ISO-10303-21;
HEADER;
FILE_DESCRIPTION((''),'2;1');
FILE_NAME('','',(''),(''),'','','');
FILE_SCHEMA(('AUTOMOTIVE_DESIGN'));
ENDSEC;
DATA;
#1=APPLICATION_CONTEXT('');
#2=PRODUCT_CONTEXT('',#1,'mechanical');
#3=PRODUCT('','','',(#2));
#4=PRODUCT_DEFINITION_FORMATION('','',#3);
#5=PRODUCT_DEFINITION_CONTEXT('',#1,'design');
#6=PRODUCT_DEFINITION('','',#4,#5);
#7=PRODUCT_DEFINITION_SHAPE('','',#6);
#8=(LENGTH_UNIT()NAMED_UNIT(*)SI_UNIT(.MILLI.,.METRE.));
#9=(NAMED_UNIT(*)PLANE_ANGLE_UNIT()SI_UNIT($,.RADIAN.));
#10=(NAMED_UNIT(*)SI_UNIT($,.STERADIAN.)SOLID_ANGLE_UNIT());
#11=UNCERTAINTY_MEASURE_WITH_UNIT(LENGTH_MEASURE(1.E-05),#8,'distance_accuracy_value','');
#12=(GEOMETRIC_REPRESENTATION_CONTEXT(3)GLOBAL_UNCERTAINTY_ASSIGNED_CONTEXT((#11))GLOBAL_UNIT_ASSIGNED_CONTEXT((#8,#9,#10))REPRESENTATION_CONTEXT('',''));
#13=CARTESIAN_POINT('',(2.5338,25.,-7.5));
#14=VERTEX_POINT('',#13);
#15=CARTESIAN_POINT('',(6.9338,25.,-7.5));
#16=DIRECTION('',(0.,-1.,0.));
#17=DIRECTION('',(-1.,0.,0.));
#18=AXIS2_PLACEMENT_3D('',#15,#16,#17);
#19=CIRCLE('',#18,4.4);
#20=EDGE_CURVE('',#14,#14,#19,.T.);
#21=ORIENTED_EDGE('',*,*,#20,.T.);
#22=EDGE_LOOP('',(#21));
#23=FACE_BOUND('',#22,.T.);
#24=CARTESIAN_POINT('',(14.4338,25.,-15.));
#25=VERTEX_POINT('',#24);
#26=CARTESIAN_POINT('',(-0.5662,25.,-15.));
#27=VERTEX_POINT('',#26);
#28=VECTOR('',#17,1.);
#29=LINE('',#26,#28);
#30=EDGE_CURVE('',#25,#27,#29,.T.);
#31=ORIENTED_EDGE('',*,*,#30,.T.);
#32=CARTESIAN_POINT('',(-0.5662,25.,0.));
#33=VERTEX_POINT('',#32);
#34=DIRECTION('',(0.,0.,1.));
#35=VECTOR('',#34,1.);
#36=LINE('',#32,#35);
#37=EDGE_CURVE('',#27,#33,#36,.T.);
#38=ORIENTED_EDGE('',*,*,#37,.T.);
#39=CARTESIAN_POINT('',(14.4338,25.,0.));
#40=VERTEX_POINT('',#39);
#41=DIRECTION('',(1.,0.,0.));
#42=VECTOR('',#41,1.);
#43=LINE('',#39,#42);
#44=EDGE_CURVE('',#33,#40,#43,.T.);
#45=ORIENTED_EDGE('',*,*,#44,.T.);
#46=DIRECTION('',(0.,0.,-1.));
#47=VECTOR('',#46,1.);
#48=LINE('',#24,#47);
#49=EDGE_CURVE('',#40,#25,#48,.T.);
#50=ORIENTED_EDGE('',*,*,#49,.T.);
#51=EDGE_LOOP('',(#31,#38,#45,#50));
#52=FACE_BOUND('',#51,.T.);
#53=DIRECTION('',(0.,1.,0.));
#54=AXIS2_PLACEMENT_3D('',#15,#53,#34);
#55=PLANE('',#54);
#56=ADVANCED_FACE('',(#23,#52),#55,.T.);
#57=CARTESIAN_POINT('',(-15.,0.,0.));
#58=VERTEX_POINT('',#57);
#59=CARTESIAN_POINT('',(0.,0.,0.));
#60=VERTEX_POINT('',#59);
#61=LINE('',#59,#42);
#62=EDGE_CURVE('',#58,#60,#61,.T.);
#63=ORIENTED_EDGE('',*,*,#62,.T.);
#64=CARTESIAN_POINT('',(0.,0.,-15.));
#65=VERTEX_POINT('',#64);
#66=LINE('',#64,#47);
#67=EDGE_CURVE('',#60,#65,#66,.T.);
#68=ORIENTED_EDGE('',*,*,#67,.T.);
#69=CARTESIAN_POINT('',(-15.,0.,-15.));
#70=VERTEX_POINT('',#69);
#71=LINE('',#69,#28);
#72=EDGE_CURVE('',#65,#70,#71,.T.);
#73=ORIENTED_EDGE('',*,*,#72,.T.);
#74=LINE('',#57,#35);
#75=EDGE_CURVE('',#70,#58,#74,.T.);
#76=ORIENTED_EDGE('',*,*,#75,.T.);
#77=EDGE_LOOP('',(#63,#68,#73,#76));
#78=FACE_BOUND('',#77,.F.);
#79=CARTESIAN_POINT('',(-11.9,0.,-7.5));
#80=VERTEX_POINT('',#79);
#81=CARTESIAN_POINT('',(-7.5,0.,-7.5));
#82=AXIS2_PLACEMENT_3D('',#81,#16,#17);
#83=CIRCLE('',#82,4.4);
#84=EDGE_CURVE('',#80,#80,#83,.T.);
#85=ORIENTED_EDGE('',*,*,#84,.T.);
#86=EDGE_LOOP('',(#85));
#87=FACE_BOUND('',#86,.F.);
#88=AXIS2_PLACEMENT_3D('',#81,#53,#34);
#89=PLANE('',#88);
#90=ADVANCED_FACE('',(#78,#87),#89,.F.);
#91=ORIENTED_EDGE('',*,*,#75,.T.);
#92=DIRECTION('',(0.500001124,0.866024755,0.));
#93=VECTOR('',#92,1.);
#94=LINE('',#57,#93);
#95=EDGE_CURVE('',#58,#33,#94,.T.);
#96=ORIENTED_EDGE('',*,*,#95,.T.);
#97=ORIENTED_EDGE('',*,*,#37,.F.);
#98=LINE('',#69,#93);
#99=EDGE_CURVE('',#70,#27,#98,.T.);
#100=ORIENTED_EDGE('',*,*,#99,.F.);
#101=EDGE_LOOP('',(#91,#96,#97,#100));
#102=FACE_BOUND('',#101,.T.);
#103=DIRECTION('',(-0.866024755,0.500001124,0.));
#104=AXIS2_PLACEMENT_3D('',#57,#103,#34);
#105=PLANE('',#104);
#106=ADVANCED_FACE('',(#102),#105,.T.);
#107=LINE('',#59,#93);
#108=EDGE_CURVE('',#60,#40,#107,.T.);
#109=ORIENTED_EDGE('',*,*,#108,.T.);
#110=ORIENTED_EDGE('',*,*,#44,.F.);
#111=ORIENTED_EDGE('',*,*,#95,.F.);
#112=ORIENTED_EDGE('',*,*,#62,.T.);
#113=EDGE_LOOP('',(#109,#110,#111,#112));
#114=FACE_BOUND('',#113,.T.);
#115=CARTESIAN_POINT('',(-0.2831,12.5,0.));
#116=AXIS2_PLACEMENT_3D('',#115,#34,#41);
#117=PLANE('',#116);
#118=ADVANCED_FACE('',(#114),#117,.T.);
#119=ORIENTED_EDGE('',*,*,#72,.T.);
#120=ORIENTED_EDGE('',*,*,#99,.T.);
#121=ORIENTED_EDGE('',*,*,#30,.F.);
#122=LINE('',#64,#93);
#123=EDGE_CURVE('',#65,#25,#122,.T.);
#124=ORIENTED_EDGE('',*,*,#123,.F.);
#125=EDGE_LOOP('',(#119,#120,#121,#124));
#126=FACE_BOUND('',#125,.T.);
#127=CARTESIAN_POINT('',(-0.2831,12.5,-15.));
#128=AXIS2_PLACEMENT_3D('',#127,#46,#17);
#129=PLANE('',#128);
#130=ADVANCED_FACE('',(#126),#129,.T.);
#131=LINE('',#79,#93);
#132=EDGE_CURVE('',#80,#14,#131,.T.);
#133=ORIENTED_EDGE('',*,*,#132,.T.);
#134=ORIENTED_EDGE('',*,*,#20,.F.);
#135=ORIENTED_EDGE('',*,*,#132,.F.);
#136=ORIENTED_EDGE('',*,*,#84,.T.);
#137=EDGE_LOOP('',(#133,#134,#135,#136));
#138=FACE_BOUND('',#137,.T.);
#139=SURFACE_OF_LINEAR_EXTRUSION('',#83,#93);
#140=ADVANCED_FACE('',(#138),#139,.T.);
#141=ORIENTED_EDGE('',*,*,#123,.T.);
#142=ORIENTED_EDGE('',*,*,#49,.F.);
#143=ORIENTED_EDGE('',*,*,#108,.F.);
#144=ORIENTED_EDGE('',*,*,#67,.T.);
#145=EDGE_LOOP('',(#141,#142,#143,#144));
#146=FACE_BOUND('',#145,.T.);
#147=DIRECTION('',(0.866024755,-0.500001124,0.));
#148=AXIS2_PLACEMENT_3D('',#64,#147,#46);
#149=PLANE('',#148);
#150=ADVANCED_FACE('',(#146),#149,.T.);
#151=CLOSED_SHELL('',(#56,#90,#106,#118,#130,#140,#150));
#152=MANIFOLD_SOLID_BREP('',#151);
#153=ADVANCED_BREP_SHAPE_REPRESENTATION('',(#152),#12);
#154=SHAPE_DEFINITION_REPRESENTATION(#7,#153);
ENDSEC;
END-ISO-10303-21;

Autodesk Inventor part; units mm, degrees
ref_plane "YZ Plane" through (0, 0, 0) normal (1, 0, 0) x (0, 1, 0)
ref_plane "XZ Plane" through (0, 0, 0) normal (0, 1, 0) x (-1, 0, 0)
ref_plane "XY Plane" through (0, 0, 0) normal (0, 0, 1) x (1, 0, 0)
sketch "Sketch1" plane through (0, 0, 0) normal (0, 1, 0) x (-1, 0, 0)
  line L0 (0, 0) -> (15, 0)
  line L1 (15, 0) -> (15, -15)
  line L2 (15, -15) -> (0, -15)
  line L3 (0, -15) -> (0, 0)
  circle A0 centre (7.5, -7.5) radius 4.4
  dimension "soporte_largo" = 15
  dimension "soporte_ancho" = 15
  dimension "soporte_hueco_diametro" = 8.8
  dimension "soporte_hueco_pos_ancho" = 7.5
  dimension "soporte_hueco_pos_largo" = 7.5
sketch "Sketch2" plane through (0, 0, 0) normal (0, 0, 1) x (1, 0, 0)
  line L0 (0, 0) -> (14.4338, 25)
  line L1 (0, 0) -> (28.8675, 0) construction
  dimension "soporte_inclinacion" = 60
  dimension "soporte_alterura" = 25
sweep "Sweep1" add profiles "Sketch1" path "Sketch2"
equation "\"soporte_hueco_pos_ancho\" = 0.5 * soporte_ancho"
equation "\"soporte_hueco_pos_largo\" = 0.5 * soporte_largo"
equation "\"tol1\" = 0.1"
equation "\"tol2\" = 0.2"
equation "\"tol3\" = 0.3"
equation "\"tol4\" = 0.4"
equation "\"tol5\" = 0.5"
equation "\"tol6\" = 0.6"
equation "\"tol7\" = 0.7"
equation "\"tol8\" = 0.8"
equation "\"tol9\" = 0.9"
equation "\"tol\" = 7"
properties part number "TestSoporte"
